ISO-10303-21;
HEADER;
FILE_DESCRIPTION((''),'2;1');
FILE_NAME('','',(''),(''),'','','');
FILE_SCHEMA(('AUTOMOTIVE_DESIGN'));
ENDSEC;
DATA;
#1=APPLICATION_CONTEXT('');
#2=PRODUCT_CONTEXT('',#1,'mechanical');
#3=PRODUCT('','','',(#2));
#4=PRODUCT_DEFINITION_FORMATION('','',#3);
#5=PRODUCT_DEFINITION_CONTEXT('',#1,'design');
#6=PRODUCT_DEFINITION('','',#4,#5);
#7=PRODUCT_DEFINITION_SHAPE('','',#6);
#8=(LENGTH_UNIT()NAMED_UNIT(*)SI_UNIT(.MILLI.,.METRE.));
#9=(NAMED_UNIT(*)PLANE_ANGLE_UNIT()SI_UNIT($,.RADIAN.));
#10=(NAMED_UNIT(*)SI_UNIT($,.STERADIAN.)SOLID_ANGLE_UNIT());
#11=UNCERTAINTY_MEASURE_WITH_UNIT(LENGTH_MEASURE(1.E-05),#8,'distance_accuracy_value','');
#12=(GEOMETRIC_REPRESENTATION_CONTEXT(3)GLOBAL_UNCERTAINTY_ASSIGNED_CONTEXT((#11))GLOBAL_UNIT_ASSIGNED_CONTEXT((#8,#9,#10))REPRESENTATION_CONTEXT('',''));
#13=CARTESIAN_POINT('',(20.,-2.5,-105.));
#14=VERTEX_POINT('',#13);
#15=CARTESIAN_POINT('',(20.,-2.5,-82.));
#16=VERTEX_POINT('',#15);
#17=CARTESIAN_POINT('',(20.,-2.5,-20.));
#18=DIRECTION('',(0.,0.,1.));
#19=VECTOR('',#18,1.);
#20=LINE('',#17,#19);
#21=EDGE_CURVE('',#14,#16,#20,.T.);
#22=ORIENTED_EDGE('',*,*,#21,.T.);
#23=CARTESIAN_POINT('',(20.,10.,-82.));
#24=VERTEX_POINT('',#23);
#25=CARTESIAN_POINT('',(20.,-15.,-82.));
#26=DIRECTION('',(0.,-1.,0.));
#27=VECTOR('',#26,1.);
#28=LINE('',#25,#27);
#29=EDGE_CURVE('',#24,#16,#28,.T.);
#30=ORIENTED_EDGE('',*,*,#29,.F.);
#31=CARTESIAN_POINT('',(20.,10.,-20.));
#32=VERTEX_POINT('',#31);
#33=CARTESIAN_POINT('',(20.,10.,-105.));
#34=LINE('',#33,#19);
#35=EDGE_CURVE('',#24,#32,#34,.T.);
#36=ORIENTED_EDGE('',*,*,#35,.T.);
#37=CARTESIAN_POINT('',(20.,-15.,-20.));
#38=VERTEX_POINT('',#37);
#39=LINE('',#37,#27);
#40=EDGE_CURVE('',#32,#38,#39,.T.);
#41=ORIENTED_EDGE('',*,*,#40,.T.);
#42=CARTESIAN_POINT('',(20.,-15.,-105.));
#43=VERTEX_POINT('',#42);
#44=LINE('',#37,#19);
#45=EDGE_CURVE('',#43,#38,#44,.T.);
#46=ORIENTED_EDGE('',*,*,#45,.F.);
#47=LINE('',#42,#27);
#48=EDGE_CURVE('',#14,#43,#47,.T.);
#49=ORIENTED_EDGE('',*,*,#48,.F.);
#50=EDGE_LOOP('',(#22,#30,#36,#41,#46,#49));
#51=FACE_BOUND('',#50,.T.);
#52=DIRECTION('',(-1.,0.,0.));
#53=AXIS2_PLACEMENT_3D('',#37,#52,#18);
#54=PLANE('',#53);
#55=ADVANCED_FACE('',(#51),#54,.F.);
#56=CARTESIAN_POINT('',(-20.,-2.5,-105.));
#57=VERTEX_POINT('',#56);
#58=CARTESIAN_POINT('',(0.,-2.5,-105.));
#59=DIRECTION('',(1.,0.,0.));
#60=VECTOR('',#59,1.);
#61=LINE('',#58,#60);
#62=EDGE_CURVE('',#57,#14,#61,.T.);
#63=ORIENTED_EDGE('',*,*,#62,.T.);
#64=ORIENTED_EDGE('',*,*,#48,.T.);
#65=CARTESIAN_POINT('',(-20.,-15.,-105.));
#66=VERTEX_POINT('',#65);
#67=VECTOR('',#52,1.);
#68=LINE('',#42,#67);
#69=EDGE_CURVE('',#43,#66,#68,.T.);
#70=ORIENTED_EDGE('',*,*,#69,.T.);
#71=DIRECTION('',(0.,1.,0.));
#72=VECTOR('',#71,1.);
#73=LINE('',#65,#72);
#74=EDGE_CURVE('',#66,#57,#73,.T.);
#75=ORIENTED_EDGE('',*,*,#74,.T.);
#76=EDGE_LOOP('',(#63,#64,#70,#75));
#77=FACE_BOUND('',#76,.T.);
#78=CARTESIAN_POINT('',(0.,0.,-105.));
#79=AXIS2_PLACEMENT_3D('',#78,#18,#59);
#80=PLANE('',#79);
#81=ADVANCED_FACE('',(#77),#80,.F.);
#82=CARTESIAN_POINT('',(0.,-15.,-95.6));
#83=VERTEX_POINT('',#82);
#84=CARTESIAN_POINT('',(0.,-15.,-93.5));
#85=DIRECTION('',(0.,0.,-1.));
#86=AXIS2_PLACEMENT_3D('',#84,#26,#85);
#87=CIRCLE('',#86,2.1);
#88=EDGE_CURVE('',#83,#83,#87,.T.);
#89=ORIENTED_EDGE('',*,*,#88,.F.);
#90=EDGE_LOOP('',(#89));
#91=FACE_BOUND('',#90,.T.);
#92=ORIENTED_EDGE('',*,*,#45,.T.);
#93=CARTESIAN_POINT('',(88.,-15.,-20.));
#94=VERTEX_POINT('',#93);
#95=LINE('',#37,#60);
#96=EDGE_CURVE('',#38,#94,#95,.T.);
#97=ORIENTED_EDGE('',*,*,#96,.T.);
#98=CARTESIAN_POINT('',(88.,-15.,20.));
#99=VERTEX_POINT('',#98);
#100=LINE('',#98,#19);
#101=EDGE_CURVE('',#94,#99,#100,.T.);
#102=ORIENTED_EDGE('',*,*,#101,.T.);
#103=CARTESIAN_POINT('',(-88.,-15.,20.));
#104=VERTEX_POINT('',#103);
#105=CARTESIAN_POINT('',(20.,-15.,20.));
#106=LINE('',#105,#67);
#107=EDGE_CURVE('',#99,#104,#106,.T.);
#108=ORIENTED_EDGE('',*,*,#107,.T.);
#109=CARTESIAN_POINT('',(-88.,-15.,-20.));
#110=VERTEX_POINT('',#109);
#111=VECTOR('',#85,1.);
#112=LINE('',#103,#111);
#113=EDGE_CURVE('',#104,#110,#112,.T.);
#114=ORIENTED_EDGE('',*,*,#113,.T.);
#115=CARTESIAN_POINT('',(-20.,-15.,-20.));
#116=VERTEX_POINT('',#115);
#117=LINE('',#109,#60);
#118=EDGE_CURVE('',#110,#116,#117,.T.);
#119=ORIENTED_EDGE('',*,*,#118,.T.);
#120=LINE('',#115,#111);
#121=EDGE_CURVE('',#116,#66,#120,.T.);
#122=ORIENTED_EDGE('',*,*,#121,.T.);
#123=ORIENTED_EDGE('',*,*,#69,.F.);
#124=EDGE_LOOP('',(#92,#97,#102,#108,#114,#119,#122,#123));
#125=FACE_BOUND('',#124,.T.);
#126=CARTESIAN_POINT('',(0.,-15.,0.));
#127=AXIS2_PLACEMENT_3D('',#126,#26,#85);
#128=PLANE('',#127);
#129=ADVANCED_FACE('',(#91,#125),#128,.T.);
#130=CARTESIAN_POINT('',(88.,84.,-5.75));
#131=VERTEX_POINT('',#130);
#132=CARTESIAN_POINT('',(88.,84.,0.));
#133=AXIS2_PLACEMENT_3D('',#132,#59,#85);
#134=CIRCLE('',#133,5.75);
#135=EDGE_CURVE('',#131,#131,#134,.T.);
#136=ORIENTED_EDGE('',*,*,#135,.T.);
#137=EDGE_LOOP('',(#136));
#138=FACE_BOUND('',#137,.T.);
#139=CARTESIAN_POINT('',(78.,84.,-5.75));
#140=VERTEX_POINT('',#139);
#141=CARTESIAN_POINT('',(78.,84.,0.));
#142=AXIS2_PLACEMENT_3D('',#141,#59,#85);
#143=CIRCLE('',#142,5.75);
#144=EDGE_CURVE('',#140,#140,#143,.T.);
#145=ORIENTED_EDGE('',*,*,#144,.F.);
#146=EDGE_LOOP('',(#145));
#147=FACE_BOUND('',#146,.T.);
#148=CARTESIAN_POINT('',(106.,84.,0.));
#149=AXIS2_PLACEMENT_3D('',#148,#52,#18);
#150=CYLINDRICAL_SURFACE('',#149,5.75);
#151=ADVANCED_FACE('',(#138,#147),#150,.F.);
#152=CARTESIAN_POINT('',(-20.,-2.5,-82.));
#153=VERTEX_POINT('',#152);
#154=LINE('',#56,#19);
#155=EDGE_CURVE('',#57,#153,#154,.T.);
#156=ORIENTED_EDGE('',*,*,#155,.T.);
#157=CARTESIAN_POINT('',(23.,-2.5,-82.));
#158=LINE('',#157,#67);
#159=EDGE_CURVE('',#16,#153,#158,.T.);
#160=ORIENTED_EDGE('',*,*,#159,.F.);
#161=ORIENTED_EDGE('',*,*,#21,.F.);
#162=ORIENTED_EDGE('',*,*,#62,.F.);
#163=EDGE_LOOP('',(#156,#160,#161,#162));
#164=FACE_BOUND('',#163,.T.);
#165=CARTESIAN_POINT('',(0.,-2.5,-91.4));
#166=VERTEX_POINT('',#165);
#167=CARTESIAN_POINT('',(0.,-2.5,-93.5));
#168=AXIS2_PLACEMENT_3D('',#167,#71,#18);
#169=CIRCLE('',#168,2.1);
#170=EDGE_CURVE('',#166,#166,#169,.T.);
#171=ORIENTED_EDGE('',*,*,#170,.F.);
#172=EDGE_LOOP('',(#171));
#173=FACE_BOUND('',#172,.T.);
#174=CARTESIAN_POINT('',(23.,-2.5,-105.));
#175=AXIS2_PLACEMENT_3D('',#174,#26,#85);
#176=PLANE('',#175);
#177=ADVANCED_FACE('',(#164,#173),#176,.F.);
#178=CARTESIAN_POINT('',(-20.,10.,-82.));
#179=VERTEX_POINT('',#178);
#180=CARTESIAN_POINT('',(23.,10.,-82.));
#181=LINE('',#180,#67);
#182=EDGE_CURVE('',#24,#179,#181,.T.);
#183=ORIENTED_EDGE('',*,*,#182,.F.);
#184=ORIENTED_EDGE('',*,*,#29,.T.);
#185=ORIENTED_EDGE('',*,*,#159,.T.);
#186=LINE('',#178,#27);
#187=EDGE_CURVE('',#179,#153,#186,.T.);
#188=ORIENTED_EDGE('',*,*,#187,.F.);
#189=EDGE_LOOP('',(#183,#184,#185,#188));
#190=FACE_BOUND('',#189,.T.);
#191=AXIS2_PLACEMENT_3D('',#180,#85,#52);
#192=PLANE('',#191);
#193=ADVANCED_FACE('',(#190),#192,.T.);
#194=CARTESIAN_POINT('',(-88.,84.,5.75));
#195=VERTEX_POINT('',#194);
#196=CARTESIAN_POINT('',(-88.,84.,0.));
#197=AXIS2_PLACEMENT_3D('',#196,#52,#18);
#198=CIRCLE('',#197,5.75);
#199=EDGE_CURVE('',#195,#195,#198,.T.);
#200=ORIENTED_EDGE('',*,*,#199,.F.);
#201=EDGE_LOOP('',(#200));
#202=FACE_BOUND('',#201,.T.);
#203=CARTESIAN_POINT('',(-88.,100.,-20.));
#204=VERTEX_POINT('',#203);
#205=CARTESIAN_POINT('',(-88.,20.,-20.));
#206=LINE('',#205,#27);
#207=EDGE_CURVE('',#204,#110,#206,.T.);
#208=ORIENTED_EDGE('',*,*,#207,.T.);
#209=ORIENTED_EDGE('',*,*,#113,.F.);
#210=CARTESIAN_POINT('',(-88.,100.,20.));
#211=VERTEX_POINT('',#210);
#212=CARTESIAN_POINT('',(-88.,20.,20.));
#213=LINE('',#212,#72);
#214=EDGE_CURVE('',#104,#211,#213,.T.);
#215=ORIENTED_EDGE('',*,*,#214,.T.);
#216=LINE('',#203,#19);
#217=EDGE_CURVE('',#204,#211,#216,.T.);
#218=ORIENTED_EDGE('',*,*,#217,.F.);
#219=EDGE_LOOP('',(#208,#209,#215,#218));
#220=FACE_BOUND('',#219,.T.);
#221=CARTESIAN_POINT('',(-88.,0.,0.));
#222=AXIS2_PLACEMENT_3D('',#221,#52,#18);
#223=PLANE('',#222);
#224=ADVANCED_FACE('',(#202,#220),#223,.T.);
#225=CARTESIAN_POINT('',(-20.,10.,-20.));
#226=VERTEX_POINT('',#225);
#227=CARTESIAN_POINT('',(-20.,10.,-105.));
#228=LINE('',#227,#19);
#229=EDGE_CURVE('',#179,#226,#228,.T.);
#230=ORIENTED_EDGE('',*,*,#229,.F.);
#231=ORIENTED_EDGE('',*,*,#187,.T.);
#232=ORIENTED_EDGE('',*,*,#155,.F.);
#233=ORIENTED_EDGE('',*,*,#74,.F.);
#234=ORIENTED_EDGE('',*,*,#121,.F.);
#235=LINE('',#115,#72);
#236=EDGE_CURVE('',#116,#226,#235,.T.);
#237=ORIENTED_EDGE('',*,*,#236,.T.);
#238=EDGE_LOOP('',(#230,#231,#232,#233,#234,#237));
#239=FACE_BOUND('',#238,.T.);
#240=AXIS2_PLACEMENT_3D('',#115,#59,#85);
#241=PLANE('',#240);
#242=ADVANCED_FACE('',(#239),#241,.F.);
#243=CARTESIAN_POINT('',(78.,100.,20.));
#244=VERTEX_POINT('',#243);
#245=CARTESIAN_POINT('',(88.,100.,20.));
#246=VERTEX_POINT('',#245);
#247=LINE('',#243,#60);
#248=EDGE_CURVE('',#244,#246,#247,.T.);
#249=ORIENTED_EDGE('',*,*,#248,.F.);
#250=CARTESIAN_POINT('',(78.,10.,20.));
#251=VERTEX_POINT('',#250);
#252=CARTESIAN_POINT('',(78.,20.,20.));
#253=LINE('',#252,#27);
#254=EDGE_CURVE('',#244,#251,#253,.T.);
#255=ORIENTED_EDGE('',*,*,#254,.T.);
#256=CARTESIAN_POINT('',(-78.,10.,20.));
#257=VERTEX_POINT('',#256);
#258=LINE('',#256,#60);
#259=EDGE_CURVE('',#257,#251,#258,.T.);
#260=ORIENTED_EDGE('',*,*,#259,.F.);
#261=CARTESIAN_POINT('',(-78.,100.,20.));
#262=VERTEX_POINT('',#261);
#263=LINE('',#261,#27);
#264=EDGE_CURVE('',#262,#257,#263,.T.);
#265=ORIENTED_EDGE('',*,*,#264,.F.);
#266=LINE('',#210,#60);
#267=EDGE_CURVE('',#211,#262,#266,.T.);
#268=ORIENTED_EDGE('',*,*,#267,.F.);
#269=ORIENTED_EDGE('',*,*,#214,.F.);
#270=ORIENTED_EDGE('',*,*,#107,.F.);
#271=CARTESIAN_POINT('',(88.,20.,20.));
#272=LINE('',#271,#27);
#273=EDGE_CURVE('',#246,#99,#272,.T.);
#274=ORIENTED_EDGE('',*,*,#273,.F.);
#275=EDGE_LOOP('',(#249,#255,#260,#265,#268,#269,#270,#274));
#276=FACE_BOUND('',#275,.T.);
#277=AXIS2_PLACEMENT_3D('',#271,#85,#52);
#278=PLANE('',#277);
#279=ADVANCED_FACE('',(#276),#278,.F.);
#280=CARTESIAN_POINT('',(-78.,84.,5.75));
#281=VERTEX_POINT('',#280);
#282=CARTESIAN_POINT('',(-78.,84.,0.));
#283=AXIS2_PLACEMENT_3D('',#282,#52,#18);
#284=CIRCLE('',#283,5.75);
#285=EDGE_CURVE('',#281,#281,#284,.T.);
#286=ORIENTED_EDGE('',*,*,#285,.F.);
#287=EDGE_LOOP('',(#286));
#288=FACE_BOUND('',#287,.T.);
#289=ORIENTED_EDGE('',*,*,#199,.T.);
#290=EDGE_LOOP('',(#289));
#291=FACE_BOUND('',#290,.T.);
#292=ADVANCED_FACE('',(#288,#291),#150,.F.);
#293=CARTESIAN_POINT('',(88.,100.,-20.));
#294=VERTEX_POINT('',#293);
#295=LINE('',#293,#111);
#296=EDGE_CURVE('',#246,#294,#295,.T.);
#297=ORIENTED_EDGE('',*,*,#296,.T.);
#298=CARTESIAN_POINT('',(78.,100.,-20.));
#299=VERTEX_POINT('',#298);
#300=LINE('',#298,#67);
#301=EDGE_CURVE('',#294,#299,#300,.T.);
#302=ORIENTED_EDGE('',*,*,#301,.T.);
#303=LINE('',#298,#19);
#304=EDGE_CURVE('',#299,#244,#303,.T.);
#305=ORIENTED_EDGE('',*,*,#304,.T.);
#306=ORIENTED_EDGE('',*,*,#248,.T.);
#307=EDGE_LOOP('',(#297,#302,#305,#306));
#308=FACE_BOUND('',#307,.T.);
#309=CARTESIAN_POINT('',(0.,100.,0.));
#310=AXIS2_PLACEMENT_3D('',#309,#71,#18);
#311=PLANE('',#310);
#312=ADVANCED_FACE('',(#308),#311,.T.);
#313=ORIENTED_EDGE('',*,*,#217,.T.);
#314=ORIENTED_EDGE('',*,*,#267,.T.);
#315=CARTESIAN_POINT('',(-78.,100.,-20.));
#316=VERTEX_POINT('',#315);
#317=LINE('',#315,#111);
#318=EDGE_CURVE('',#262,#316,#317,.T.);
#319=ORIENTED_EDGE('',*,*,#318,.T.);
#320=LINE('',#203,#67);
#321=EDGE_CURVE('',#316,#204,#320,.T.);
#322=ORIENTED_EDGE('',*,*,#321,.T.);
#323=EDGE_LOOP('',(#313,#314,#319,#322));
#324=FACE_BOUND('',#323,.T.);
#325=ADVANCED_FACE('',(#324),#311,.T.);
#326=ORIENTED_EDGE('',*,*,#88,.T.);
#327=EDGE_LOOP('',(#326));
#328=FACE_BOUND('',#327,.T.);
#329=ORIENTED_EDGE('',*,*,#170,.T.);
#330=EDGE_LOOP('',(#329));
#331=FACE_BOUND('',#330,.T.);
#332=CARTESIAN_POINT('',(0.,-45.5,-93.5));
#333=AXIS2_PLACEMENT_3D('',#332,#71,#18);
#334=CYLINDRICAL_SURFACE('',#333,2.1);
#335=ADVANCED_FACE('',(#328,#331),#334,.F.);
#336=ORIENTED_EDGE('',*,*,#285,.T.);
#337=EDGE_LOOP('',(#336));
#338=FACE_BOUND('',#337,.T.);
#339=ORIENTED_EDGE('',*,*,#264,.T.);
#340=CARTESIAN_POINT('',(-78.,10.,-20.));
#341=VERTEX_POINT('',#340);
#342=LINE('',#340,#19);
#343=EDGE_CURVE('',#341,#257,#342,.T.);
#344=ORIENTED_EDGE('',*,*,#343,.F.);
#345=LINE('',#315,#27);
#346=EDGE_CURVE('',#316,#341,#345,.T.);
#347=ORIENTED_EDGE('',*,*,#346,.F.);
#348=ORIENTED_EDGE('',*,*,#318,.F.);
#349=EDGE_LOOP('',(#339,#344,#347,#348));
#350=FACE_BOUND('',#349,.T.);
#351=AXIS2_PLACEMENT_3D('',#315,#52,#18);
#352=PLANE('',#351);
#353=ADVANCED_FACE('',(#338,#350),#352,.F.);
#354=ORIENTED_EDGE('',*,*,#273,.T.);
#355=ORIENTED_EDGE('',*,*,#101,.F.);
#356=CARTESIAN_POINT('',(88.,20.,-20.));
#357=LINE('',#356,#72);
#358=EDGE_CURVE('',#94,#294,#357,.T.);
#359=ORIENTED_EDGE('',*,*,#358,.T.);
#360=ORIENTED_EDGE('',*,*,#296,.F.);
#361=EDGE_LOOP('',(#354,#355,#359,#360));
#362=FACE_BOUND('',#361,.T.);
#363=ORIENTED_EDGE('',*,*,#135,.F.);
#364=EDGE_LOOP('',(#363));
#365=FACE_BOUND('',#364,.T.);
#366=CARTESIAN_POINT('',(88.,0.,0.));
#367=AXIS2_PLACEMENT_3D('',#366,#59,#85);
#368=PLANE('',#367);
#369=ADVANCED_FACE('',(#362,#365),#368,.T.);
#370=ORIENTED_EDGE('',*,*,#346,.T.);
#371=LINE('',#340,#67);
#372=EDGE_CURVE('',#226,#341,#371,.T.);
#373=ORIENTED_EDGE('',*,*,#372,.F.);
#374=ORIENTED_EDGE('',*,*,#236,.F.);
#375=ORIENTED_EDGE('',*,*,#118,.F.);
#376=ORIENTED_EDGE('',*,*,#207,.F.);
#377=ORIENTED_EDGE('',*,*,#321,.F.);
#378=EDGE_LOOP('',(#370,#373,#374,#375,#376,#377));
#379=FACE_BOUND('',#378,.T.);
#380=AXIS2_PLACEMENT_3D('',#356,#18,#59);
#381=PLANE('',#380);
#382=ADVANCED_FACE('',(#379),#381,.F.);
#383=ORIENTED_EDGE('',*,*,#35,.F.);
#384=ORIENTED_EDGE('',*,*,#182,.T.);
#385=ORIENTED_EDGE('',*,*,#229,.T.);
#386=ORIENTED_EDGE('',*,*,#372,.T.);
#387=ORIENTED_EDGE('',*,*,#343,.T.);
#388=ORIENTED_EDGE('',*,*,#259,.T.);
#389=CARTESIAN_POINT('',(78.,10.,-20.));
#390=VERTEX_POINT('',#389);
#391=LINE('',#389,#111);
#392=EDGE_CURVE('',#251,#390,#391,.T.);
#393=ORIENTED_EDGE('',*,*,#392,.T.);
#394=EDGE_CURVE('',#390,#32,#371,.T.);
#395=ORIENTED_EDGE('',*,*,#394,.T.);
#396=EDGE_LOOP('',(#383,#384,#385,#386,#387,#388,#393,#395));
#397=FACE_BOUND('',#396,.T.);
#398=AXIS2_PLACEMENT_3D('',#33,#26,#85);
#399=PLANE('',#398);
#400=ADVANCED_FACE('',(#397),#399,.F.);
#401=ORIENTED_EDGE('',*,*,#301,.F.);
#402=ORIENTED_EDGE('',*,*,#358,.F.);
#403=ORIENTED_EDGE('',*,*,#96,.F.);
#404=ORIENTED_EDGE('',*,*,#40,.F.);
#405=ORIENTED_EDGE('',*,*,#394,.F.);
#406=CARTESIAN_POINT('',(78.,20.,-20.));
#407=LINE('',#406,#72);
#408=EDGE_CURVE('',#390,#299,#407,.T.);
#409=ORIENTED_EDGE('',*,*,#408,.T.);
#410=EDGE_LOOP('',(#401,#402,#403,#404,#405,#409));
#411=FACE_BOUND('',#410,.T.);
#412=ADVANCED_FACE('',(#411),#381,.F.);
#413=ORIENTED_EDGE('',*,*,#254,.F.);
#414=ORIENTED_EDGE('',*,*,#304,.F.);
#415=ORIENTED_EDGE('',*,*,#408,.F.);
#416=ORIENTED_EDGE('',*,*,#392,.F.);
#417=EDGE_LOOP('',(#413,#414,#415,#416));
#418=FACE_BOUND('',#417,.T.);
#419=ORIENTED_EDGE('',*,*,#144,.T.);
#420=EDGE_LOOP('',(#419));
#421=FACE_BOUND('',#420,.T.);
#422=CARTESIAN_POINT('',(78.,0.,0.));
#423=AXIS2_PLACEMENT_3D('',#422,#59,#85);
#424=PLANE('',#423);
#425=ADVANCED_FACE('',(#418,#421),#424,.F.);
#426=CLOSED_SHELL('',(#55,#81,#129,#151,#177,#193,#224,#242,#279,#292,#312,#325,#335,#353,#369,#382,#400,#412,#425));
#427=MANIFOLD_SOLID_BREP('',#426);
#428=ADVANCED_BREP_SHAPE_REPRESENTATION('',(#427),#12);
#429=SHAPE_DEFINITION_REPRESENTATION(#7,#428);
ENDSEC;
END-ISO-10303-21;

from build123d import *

# Parameters (mm, degrees)
SKETCH_1_W          = 156
SKETCH_1_H          = 40
EXTRUDE_1_DEPTH     = 20
SKETCH_2_W          = 40
SKETCH_2_H          = 20
EXTRUDE_2_DEPTH     = 10
SKETCH_3_W          = 40
SKETCH_3_H          = 20
EXTRUDE_3_DEPTH     = 10
SKETCH_4_W          = 10
SKETCH_4_H          = 40
EXTRUDE_4_DEPTH     = 80
SKETCH_5_W          = 10
SKETCH_5_H          = 40
EXTRUDE_5_DEPTH     = 80
SKETCH_6_R          = 5.75
CUT_EXTRUDE_1_DEPTH = 194
SKETCH_7_W          = 40
SKETCH_7_H          = 40
EXTRUDE_6_DEPTH     = 15
SKETCH_8_W          = 40
SKETCH_8_H          = 25
EXTRUDE_7_DEPTH     = 85
SKETCH_9_W          = 23
SKETCH_9_H          = 12.5
CUT_EXTRUDE_2_DEPTH = 43
SKETCH_10_R         = 2.1
CUT_EXTRUDE_3_DEPTH = 43
SKETCH_11_W         = 68
SKETCH_11_H         = 40
EXTRUDE_8_DEPTH     = 15
SKETCH_12_W         = 68
SKETCH_12_H         = 40
EXTRUDE_9_DEPTH     = 15
SKETCH_13_W         = 156
SKETCH_13_H         = 40
CUT_EXTRUDE_4_DEPTH = 10


with BuildPart() as part:
    # 草图1 → 凸台-拉伸1 (new body)
    with BuildSketch(Plane(origin=(0, 0, 0), x_dir=(1, 0, 0), z_dir=(0, 1, 0))):
        Rectangle(SKETCH_1_W, SKETCH_1_H)
    extrude(amount=EXTRUDE_1_DEPTH)



with BuildPart() as body_2:
    # 草图2 → 凸台-拉伸2 (new body)
    with BuildSketch(Plane.ZY.offset(78)):
        with Locations((0, 10)):
            Rectangle(SKETCH_2_W, SKETCH_2_H)
    extrude(amount=EXTRUDE_2_DEPTH)


with BuildPart() as body_3:
    # 草图3 → 凸台-拉伸3 (new body)
    with BuildSketch(Plane(origin=(78, 0, 0), x_dir=(0, 0, -1), z_dir=(1, 0, 0))):
        with Locations((0, 10)):
            Rectangle(SKETCH_3_W, SKETCH_3_H)
    extrude(amount=EXTRUDE_3_DEPTH)


with BuildPart() as part_1:
    add(part.part)

    add(body_2.part)  # 凸台-拉伸4 merges body 2
    # 草图4 → 凸台-拉伸4 (add)
    with BuildSketch(Plane(origin=(0, 20, 0), x_dir=(1, 0, 0), z_dir=(0, 1, 0))):
        with Locations((-83, 0)):
            Rectangle(SKETCH_4_W, SKETCH_4_H)
    extrude(amount=EXTRUDE_4_DEPTH)


    add(body_3.part)  # 凸台-拉伸5 merges body 3
    # 草图5 → 凸台-拉伸5 (add)
    with BuildSketch(Plane(origin=(0, 20, 0), x_dir=(1, 0, 0), z_dir=(0, 1, 0))):
        with Locations((83, 0)):
            Rectangle(SKETCH_5_W, SKETCH_5_H)
    extrude(amount=EXTRUDE_5_DEPTH)

    # 草图6 → 切除-拉伸1 (cut)
    with BuildSketch(Plane.ZY.offset(88)):
        with Locations((0, 84)):
            Circle(SKETCH_6_R)
    extrude(amount=-CUT_EXTRUDE_1_DEPTH, mode=Mode.SUBTRACT)

    # 草图7 → 凸台-拉伸6 (add)
    with BuildSketch(Plane.XZ):
        Rectangle(SKETCH_7_W, SKETCH_7_H)
    extrude(amount=EXTRUDE_6_DEPTH)

    # 草图8 → 凸台-拉伸7 (add)
    with BuildSketch(Plane(origin=(0, 0, -20), x_dir=(-1, 0, 0), z_dir=(0, 0, -1))):
        with Locations((0, -2.5)):
            Rectangle(SKETCH_8_W, SKETCH_8_H)
    extrude(amount=EXTRUDE_7_DEPTH)

    # 草图9 → 切除-拉伸2 (cut)
    with BuildSketch(Plane.ZY.offset(20)):
        with Locations((-93.5, 3.75)):
            Rectangle(SKETCH_9_W, SKETCH_9_H)
    extrude(amount=-CUT_EXTRUDE_2_DEPTH, mode=Mode.SUBTRACT)

    # 草图10 → 切除-拉伸3 (cut)
    with BuildSketch(Plane(origin=(0, -2.5, 0), x_dir=(1, 0, 0), z_dir=(0, 1, 0))):
        with Locations(Location((0, 93.5, 0), (0, 0, 270))):
            Circle(SKETCH_10_R)
    extrude(amount=-CUT_EXTRUDE_3_DEPTH, mode=Mode.SUBTRACT)

    # 草图11 → 凸台-拉伸8 (add)
    with BuildSketch(Plane.XZ):
        with Locations((54, 0)):
            Rectangle(SKETCH_11_W, SKETCH_11_H)
    extrude(amount=EXTRUDE_8_DEPTH)

    # 草图12 → 凸台-拉伸9 (add)
    with BuildSketch(Plane.XZ):
        with Locations((-54, 0)):
            Rectangle(SKETCH_12_W, SKETCH_12_H)
    extrude(amount=EXTRUDE_9_DEPTH)

    # 草图13 → 切除-拉伸4 (cut)
    with BuildSketch(Plane(origin=(0, 20, 0), x_dir=(1, 0, 0), z_dir=(0, 1, 0))):
        Rectangle(SKETCH_13_W, SKETCH_13_H)
    extrude(amount=-CUT_EXTRUDE_4_DEPTH, mode=Mode.SUBTRACT)


solid = part_1.part
